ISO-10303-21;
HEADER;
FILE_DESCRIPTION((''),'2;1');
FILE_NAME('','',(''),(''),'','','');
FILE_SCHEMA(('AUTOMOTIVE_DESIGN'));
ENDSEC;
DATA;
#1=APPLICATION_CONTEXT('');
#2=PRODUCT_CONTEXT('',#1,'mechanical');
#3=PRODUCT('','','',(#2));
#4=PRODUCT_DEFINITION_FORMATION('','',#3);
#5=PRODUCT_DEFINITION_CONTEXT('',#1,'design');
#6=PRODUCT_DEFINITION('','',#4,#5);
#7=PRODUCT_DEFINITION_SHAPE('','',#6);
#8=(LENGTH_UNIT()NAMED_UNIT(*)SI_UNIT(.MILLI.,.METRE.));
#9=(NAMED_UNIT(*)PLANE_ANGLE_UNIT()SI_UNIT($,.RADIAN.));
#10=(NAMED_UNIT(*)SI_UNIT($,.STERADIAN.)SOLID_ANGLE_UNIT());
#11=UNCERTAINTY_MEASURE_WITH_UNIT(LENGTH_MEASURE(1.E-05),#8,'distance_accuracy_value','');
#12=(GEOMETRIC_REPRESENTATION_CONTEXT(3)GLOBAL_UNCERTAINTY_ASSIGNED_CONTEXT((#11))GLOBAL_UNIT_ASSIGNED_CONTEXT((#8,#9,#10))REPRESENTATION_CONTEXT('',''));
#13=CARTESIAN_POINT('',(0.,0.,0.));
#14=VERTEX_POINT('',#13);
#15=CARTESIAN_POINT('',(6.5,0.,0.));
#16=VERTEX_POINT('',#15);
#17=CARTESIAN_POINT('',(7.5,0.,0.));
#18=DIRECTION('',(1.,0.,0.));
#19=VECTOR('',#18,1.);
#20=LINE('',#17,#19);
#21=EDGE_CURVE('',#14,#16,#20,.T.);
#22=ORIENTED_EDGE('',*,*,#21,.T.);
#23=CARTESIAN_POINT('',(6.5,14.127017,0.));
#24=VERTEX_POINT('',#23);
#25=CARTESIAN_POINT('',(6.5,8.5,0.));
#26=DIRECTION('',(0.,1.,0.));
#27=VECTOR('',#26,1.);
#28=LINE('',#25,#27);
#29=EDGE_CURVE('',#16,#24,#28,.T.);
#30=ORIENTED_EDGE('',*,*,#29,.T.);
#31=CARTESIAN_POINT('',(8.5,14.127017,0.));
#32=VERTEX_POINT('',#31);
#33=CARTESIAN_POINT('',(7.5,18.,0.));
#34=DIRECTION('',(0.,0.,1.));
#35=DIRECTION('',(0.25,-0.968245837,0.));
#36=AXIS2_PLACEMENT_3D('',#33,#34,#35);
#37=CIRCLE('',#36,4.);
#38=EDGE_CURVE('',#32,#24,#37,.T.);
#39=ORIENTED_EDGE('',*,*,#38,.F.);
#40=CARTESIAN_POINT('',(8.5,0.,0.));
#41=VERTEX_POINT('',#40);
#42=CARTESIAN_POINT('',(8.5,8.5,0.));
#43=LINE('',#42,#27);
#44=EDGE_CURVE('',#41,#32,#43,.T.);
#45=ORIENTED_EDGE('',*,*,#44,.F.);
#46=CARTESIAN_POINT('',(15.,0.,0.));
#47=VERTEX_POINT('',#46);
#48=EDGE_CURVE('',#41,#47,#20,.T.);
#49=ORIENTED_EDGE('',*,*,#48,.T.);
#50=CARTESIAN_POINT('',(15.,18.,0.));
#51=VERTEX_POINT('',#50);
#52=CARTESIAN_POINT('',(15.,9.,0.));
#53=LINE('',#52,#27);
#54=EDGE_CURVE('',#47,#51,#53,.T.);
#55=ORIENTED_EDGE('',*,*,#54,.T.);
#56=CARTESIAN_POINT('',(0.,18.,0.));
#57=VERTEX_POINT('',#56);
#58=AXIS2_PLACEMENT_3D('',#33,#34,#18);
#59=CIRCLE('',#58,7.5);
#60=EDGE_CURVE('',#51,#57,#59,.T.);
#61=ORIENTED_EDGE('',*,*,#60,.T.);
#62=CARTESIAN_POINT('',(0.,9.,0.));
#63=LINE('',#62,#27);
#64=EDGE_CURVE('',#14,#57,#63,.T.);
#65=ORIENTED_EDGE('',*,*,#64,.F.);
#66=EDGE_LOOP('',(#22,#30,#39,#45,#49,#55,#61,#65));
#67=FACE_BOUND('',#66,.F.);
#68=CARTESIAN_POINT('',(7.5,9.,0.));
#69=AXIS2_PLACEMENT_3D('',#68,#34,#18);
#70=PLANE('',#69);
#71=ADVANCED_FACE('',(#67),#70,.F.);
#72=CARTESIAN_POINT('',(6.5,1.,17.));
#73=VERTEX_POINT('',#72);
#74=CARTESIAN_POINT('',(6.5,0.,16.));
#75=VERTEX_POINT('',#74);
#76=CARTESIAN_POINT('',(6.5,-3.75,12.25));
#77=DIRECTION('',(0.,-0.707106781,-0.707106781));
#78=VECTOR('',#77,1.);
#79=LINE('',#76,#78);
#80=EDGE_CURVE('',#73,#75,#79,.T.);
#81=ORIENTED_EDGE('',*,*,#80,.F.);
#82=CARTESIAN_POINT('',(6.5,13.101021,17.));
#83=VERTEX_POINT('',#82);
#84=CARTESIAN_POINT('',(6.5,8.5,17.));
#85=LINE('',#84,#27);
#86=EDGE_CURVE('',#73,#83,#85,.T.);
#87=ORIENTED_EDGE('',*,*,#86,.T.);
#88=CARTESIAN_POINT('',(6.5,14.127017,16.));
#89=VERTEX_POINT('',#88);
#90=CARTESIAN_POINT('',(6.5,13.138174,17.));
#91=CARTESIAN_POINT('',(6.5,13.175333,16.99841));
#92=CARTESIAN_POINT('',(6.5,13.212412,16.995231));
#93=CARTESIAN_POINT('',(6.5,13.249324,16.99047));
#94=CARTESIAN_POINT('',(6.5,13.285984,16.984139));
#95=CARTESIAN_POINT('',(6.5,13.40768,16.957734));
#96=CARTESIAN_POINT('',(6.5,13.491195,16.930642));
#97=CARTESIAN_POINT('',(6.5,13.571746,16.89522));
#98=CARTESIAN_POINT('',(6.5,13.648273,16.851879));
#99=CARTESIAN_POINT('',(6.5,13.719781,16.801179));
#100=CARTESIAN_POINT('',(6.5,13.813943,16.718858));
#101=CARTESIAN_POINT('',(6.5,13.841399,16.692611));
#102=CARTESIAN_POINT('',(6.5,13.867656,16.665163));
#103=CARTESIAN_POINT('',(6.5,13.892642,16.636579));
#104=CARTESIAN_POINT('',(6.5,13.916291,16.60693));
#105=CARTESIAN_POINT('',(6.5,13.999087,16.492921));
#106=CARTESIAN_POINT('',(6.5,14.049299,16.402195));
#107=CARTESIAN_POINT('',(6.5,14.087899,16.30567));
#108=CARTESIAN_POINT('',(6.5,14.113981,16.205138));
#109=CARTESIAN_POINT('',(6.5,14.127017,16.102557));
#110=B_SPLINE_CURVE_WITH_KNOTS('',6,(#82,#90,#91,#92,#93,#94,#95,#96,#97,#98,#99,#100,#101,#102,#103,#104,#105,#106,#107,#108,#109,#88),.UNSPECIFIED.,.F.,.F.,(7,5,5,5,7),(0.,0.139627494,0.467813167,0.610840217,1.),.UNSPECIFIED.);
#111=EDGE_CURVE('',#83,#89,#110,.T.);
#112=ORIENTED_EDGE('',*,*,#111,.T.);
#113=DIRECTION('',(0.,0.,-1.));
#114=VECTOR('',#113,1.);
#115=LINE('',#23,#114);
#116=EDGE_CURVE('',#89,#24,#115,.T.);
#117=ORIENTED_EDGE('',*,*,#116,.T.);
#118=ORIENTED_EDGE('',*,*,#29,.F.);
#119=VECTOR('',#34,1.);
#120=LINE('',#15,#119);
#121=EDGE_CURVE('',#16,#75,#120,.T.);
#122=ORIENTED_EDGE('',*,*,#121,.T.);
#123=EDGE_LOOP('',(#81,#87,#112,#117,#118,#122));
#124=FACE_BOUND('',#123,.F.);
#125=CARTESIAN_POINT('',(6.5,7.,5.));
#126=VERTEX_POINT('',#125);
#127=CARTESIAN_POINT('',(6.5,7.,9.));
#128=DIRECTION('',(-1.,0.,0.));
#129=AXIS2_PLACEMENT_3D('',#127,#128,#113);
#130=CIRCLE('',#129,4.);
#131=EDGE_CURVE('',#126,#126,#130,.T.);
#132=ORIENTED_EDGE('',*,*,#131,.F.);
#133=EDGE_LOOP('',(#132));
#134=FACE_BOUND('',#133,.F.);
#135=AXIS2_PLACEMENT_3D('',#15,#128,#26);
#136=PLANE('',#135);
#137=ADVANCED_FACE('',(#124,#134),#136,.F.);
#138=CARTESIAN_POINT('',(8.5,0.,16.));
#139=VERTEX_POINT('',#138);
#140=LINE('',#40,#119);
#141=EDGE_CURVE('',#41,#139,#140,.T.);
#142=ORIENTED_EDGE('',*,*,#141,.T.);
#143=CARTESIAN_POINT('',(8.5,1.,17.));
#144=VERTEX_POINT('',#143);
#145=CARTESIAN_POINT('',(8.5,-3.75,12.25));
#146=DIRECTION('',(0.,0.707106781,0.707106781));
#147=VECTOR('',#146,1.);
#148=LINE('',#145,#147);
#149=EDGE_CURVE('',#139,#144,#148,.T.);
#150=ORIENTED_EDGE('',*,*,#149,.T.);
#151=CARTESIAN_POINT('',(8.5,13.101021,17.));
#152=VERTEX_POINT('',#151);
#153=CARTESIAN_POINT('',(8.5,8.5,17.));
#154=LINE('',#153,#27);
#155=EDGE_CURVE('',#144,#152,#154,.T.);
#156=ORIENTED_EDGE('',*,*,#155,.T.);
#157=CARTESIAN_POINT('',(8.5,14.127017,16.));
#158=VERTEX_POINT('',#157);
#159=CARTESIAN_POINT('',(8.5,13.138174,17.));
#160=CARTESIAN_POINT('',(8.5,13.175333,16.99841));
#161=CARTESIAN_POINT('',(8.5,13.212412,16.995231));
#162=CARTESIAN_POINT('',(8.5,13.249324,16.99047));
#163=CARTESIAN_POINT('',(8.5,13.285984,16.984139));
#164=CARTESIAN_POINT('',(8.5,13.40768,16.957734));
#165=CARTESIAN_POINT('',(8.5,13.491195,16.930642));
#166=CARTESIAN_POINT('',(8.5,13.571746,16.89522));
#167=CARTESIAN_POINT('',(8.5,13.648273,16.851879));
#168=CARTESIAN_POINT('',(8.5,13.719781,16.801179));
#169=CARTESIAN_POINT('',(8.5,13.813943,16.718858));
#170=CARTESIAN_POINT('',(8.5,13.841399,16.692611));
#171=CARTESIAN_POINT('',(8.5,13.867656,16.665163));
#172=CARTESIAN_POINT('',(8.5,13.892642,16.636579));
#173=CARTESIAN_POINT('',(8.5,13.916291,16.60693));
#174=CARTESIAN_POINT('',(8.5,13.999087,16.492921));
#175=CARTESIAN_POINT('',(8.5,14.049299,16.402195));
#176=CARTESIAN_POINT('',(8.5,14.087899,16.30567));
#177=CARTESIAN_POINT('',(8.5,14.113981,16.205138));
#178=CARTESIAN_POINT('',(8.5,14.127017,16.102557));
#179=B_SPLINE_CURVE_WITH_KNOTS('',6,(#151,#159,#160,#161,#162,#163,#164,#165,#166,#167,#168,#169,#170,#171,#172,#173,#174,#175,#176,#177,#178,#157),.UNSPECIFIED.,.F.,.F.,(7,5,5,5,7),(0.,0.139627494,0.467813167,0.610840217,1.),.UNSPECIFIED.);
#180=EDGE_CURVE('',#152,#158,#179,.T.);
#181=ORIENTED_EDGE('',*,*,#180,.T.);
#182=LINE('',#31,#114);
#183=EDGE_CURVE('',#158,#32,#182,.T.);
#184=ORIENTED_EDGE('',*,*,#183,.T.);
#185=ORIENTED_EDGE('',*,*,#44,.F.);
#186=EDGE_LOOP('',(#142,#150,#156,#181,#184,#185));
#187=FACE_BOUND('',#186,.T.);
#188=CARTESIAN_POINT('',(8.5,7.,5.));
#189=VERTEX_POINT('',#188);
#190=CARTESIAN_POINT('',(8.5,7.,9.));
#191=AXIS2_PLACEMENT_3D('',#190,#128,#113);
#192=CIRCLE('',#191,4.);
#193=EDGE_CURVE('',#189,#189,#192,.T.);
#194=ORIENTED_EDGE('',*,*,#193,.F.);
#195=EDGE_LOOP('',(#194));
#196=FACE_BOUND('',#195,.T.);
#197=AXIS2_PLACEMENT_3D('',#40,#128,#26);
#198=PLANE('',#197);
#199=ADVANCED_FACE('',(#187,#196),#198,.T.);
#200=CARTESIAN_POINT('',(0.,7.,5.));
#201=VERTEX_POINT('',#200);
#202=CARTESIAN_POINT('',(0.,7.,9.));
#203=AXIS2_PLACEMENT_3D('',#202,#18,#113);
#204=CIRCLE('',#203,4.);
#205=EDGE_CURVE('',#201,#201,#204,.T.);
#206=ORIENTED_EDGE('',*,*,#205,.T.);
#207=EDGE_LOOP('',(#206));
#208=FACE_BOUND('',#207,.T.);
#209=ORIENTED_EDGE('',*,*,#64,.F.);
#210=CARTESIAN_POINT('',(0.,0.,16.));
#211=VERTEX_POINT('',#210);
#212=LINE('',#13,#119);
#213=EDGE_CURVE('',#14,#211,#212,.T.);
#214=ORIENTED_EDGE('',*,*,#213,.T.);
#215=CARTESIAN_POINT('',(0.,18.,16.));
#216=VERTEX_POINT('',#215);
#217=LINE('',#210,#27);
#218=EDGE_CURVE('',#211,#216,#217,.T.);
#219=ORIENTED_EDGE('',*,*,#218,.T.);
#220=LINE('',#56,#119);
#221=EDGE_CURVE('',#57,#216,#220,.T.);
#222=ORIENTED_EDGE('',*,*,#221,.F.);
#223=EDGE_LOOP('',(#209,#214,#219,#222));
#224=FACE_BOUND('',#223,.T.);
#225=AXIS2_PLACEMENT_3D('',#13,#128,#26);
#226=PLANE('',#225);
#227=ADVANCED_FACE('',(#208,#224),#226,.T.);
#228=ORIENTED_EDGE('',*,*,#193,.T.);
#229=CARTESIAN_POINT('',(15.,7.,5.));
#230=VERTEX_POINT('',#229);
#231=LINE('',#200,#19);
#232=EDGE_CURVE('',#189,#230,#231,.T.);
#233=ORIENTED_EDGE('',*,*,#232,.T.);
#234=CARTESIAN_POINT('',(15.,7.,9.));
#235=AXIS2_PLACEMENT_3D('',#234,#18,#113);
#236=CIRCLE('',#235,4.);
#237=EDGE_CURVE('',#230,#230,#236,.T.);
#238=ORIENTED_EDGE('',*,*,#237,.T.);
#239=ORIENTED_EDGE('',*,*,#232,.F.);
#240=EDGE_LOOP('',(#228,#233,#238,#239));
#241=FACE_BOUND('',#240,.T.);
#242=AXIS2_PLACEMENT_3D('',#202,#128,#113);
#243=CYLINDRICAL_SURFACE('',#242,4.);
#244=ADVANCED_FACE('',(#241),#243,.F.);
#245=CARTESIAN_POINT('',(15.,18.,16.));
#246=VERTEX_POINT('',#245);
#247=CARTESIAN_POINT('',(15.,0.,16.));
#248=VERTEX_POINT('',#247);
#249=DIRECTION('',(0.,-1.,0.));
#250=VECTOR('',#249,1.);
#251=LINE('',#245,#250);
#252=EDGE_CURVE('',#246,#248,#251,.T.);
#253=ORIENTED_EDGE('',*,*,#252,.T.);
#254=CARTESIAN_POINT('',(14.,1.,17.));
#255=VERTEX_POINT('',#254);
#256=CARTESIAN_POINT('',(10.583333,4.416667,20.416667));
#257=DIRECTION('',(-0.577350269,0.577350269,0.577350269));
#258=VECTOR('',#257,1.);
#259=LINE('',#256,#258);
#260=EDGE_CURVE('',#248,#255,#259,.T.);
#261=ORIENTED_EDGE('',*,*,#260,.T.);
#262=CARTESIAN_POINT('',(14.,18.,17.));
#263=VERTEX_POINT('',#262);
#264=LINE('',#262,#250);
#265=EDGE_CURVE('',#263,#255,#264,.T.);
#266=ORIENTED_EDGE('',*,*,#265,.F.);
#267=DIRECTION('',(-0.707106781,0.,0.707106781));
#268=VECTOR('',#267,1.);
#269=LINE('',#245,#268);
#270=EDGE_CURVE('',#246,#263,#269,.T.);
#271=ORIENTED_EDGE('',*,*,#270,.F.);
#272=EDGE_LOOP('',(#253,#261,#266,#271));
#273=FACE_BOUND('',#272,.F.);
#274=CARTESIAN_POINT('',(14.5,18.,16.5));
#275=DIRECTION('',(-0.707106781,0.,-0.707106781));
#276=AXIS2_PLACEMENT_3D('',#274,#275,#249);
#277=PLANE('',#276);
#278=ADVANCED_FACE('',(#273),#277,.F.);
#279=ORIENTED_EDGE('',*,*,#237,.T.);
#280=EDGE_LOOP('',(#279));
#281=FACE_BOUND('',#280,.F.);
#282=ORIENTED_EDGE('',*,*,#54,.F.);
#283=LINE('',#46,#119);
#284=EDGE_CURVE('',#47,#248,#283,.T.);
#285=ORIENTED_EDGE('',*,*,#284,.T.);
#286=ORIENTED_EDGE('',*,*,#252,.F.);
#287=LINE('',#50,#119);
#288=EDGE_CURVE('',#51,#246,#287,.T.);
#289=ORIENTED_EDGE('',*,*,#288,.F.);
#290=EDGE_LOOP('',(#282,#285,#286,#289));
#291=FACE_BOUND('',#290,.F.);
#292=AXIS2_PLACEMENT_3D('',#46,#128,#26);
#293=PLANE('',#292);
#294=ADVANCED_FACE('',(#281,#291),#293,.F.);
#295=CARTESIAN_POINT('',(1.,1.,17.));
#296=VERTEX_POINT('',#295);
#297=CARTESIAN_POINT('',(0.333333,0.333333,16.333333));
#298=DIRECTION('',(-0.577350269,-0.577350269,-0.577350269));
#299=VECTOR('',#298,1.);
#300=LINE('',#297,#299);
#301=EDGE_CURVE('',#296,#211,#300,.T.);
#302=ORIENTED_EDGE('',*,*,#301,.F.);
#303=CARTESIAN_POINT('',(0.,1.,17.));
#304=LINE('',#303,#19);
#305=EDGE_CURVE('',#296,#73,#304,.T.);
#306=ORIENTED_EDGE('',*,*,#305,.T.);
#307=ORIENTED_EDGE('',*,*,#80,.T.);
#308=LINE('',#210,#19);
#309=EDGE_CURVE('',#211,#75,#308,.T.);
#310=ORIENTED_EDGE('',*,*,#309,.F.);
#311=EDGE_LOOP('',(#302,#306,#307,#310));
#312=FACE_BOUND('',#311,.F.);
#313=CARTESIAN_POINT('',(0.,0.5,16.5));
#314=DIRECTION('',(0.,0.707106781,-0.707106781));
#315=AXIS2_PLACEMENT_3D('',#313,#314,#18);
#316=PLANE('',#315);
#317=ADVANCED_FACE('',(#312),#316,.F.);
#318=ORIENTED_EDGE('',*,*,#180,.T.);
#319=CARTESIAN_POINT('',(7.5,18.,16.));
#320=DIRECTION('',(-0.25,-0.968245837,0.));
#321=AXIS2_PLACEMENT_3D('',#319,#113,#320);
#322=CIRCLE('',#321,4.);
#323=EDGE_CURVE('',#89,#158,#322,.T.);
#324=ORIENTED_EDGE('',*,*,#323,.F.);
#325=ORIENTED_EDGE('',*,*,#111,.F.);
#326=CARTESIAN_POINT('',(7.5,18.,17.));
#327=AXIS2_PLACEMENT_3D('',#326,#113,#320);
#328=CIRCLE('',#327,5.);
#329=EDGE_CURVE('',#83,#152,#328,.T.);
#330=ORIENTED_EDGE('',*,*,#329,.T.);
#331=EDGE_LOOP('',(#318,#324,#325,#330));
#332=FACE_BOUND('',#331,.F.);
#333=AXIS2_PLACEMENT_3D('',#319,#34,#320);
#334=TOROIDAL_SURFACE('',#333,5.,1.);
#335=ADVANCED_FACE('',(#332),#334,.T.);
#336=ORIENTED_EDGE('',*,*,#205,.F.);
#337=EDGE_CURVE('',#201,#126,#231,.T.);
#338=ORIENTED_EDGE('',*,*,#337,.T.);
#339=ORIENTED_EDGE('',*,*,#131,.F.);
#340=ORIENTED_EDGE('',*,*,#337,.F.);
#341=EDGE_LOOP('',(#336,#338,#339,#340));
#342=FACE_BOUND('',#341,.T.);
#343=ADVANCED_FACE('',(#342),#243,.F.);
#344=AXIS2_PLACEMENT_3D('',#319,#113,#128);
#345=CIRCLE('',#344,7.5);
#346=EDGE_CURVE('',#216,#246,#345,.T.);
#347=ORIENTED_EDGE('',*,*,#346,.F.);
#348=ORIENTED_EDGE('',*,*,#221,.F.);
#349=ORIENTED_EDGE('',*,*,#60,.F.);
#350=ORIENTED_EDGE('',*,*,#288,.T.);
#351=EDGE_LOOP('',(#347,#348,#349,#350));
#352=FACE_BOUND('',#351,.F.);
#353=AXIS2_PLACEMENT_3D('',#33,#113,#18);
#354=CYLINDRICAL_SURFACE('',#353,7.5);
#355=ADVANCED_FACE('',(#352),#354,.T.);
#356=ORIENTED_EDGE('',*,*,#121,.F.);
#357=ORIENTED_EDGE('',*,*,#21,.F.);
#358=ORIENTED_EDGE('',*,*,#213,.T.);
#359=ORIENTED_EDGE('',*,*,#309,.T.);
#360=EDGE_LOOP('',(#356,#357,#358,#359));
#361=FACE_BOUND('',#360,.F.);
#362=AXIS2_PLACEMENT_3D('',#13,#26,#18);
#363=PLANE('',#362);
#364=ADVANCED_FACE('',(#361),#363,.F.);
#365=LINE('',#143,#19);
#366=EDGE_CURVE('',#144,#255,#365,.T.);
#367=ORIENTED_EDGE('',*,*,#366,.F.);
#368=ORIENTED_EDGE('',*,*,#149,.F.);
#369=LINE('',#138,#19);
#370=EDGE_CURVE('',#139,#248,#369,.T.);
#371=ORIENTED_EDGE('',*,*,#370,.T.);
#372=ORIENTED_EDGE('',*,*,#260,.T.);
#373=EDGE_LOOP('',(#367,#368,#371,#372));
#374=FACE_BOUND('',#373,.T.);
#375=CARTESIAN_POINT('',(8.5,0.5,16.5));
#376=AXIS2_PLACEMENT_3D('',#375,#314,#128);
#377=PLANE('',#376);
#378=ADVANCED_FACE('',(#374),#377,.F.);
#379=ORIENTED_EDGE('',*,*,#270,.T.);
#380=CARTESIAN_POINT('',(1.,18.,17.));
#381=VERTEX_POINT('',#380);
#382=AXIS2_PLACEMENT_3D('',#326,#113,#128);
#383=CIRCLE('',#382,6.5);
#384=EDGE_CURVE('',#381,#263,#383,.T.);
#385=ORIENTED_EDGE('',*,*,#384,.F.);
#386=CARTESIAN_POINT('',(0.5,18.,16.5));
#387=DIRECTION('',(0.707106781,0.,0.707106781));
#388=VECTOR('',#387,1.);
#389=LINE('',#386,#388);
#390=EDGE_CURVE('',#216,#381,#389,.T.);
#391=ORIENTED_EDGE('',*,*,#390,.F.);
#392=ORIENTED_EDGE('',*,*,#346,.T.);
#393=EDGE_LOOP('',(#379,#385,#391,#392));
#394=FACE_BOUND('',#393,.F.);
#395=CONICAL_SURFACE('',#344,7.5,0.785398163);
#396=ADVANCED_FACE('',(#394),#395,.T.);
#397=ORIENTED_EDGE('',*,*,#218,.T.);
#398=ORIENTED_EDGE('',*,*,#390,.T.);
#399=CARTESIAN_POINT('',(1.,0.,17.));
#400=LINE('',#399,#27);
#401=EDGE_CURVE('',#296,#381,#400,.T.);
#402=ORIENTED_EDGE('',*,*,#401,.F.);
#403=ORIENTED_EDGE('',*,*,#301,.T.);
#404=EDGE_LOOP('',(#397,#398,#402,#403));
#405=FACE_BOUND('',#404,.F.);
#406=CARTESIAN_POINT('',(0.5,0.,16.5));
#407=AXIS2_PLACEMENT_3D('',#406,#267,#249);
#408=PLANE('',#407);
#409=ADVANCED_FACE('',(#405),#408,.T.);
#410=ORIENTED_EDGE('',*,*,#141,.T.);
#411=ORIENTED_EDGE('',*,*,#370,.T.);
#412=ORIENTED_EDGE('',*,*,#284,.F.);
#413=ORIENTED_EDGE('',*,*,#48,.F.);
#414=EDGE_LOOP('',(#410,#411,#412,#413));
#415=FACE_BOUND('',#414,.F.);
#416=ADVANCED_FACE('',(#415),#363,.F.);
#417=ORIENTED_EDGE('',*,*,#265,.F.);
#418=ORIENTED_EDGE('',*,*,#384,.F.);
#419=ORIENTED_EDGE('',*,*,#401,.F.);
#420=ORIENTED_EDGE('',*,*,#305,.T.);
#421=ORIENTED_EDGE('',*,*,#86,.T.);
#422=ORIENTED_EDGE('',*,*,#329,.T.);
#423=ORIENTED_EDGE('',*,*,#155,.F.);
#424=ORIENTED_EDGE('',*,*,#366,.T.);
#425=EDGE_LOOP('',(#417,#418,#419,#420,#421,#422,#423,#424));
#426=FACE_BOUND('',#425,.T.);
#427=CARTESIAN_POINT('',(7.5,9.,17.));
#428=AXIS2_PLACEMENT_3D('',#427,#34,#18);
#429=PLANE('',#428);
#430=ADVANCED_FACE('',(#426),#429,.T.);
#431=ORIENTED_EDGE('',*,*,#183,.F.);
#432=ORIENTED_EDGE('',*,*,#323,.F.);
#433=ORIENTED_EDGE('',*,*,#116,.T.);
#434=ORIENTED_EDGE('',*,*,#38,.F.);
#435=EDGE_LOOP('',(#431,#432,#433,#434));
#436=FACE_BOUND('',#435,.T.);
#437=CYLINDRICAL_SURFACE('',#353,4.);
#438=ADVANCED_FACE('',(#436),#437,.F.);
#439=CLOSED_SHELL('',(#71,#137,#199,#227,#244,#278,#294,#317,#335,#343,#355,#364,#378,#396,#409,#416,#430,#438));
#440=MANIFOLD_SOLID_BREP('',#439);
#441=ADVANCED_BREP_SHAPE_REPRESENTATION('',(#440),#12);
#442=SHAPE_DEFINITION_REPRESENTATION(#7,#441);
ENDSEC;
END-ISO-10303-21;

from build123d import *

# Parameters (mm, degrees)
BOX001_W                = 2
BOX001_H                = 17
BOX001_DEPTH            = 17
CYLINDER002_R           = 4
CYLINDER002_DEPTH       = 15
CYLINDER002_PITCH_ANGLE = 90
CYLINDER001_R           = 4
CYLINDER001_DEPTH       = 17
BOX_W                   = 15
BOX_H                   = 18
BOX_DEPTH               = 17
CYLINDER_R              = 7.5
CYLINDER_DEPTH          = 17
CHAMFER_SIZE            = 1
FILLET_R                = 1


with BuildPart() as box001:
    # Box001 → Box001 (new body)
    with BuildSketch(Plane(origin=(6.5, 0, 0), x_dir=(1, 0, 0), z_dir=(0, 0, 1))):
        with Locations((1, 8.5)):
            Rectangle(BOX001_W, BOX001_H)
    extrude(amount=BOX001_DEPTH)


with BuildPart() as cylinder002:
    # Cylinder002 → Cylinder002 (new body)
    with BuildSketch(Plane.XY):
        Circle(CYLINDER002_R)
    extrude(amount=CYLINDER002_DEPTH)


with BuildPart() as cylinder002_1:
    # Cylinder002 pitch: moved
    add(cylinder002.part.rotate(Axis((0, 0, 0), (0, 1, 0)), CYLINDER002_PITCH_ANGLE))


with BuildPart() as cylinder002_2:
    # Cylinder002 placement: moved
    add(cylinder002_1.part.moved(Location((0, 7, 9))))


with BuildPart() as cylinder001:
    # Cylinder001 → Cylinder001 (new body)
    with BuildSketch(Plane(origin=(7.5, 18, 0), x_dir=(1, 0, 0), z_dir=(0, 0, 1))):
        Circle(CYLINDER001_R)
    extrude(amount=CYLINDER001_DEPTH)


with BuildPart() as box:
    # Box → Box (new body)
    with BuildSketch(Plane.XY):
        with Locations((7.5, 9)):
            Rectangle(BOX_W, BOX_H)
    extrude(amount=BOX_DEPTH)


with BuildPart() as fillet_body:
    # Cylinder → Cylinder (new body)
    with BuildSketch(Plane(origin=(7.5, 18, 0), x_dir=(1, 0, 0), z_dir=(0, 0, 1))):
        Circle(CYLINDER_R)
    extrude(amount=CYLINDER_DEPTH)

    # Fusion: union Box
    add(box.part)

    # Cut: cut Cylinder001
    add(cylinder001.part, mode=Mode.SUBTRACT)

    # Cut001: cut Cylinder002
    add(cylinder002_2.part, mode=Mode.SUBTRACT)

    # Cut002: cut Box001
    add(box001.part, mode=Mode.SUBTRACT)

    # Chamfer
    chamfer_edges = [fillet_body.edges().sort_by_distance(p)[0] for p in [
        (3.25, 0, 17),
        (0, 9, 17),
        (7.5, 25.5, 17),
        (15, 9, 17),
        (11.75, 0, 17),
    ]]
    chamfer(chamfer_edges, length=CHAMFER_SIZE)

    # Fillet
    fillet_edges = [fillet_body.edges().sort_by_distance(p)[0] for p in [
        (4.337722, 15.55051, 17),
        (7.5, 22, 17),
        (10.662278, 15.55051, 17),
    ]]
    fillet(fillet_edges, radius=FILLET_R)


solid = fillet_body.part
